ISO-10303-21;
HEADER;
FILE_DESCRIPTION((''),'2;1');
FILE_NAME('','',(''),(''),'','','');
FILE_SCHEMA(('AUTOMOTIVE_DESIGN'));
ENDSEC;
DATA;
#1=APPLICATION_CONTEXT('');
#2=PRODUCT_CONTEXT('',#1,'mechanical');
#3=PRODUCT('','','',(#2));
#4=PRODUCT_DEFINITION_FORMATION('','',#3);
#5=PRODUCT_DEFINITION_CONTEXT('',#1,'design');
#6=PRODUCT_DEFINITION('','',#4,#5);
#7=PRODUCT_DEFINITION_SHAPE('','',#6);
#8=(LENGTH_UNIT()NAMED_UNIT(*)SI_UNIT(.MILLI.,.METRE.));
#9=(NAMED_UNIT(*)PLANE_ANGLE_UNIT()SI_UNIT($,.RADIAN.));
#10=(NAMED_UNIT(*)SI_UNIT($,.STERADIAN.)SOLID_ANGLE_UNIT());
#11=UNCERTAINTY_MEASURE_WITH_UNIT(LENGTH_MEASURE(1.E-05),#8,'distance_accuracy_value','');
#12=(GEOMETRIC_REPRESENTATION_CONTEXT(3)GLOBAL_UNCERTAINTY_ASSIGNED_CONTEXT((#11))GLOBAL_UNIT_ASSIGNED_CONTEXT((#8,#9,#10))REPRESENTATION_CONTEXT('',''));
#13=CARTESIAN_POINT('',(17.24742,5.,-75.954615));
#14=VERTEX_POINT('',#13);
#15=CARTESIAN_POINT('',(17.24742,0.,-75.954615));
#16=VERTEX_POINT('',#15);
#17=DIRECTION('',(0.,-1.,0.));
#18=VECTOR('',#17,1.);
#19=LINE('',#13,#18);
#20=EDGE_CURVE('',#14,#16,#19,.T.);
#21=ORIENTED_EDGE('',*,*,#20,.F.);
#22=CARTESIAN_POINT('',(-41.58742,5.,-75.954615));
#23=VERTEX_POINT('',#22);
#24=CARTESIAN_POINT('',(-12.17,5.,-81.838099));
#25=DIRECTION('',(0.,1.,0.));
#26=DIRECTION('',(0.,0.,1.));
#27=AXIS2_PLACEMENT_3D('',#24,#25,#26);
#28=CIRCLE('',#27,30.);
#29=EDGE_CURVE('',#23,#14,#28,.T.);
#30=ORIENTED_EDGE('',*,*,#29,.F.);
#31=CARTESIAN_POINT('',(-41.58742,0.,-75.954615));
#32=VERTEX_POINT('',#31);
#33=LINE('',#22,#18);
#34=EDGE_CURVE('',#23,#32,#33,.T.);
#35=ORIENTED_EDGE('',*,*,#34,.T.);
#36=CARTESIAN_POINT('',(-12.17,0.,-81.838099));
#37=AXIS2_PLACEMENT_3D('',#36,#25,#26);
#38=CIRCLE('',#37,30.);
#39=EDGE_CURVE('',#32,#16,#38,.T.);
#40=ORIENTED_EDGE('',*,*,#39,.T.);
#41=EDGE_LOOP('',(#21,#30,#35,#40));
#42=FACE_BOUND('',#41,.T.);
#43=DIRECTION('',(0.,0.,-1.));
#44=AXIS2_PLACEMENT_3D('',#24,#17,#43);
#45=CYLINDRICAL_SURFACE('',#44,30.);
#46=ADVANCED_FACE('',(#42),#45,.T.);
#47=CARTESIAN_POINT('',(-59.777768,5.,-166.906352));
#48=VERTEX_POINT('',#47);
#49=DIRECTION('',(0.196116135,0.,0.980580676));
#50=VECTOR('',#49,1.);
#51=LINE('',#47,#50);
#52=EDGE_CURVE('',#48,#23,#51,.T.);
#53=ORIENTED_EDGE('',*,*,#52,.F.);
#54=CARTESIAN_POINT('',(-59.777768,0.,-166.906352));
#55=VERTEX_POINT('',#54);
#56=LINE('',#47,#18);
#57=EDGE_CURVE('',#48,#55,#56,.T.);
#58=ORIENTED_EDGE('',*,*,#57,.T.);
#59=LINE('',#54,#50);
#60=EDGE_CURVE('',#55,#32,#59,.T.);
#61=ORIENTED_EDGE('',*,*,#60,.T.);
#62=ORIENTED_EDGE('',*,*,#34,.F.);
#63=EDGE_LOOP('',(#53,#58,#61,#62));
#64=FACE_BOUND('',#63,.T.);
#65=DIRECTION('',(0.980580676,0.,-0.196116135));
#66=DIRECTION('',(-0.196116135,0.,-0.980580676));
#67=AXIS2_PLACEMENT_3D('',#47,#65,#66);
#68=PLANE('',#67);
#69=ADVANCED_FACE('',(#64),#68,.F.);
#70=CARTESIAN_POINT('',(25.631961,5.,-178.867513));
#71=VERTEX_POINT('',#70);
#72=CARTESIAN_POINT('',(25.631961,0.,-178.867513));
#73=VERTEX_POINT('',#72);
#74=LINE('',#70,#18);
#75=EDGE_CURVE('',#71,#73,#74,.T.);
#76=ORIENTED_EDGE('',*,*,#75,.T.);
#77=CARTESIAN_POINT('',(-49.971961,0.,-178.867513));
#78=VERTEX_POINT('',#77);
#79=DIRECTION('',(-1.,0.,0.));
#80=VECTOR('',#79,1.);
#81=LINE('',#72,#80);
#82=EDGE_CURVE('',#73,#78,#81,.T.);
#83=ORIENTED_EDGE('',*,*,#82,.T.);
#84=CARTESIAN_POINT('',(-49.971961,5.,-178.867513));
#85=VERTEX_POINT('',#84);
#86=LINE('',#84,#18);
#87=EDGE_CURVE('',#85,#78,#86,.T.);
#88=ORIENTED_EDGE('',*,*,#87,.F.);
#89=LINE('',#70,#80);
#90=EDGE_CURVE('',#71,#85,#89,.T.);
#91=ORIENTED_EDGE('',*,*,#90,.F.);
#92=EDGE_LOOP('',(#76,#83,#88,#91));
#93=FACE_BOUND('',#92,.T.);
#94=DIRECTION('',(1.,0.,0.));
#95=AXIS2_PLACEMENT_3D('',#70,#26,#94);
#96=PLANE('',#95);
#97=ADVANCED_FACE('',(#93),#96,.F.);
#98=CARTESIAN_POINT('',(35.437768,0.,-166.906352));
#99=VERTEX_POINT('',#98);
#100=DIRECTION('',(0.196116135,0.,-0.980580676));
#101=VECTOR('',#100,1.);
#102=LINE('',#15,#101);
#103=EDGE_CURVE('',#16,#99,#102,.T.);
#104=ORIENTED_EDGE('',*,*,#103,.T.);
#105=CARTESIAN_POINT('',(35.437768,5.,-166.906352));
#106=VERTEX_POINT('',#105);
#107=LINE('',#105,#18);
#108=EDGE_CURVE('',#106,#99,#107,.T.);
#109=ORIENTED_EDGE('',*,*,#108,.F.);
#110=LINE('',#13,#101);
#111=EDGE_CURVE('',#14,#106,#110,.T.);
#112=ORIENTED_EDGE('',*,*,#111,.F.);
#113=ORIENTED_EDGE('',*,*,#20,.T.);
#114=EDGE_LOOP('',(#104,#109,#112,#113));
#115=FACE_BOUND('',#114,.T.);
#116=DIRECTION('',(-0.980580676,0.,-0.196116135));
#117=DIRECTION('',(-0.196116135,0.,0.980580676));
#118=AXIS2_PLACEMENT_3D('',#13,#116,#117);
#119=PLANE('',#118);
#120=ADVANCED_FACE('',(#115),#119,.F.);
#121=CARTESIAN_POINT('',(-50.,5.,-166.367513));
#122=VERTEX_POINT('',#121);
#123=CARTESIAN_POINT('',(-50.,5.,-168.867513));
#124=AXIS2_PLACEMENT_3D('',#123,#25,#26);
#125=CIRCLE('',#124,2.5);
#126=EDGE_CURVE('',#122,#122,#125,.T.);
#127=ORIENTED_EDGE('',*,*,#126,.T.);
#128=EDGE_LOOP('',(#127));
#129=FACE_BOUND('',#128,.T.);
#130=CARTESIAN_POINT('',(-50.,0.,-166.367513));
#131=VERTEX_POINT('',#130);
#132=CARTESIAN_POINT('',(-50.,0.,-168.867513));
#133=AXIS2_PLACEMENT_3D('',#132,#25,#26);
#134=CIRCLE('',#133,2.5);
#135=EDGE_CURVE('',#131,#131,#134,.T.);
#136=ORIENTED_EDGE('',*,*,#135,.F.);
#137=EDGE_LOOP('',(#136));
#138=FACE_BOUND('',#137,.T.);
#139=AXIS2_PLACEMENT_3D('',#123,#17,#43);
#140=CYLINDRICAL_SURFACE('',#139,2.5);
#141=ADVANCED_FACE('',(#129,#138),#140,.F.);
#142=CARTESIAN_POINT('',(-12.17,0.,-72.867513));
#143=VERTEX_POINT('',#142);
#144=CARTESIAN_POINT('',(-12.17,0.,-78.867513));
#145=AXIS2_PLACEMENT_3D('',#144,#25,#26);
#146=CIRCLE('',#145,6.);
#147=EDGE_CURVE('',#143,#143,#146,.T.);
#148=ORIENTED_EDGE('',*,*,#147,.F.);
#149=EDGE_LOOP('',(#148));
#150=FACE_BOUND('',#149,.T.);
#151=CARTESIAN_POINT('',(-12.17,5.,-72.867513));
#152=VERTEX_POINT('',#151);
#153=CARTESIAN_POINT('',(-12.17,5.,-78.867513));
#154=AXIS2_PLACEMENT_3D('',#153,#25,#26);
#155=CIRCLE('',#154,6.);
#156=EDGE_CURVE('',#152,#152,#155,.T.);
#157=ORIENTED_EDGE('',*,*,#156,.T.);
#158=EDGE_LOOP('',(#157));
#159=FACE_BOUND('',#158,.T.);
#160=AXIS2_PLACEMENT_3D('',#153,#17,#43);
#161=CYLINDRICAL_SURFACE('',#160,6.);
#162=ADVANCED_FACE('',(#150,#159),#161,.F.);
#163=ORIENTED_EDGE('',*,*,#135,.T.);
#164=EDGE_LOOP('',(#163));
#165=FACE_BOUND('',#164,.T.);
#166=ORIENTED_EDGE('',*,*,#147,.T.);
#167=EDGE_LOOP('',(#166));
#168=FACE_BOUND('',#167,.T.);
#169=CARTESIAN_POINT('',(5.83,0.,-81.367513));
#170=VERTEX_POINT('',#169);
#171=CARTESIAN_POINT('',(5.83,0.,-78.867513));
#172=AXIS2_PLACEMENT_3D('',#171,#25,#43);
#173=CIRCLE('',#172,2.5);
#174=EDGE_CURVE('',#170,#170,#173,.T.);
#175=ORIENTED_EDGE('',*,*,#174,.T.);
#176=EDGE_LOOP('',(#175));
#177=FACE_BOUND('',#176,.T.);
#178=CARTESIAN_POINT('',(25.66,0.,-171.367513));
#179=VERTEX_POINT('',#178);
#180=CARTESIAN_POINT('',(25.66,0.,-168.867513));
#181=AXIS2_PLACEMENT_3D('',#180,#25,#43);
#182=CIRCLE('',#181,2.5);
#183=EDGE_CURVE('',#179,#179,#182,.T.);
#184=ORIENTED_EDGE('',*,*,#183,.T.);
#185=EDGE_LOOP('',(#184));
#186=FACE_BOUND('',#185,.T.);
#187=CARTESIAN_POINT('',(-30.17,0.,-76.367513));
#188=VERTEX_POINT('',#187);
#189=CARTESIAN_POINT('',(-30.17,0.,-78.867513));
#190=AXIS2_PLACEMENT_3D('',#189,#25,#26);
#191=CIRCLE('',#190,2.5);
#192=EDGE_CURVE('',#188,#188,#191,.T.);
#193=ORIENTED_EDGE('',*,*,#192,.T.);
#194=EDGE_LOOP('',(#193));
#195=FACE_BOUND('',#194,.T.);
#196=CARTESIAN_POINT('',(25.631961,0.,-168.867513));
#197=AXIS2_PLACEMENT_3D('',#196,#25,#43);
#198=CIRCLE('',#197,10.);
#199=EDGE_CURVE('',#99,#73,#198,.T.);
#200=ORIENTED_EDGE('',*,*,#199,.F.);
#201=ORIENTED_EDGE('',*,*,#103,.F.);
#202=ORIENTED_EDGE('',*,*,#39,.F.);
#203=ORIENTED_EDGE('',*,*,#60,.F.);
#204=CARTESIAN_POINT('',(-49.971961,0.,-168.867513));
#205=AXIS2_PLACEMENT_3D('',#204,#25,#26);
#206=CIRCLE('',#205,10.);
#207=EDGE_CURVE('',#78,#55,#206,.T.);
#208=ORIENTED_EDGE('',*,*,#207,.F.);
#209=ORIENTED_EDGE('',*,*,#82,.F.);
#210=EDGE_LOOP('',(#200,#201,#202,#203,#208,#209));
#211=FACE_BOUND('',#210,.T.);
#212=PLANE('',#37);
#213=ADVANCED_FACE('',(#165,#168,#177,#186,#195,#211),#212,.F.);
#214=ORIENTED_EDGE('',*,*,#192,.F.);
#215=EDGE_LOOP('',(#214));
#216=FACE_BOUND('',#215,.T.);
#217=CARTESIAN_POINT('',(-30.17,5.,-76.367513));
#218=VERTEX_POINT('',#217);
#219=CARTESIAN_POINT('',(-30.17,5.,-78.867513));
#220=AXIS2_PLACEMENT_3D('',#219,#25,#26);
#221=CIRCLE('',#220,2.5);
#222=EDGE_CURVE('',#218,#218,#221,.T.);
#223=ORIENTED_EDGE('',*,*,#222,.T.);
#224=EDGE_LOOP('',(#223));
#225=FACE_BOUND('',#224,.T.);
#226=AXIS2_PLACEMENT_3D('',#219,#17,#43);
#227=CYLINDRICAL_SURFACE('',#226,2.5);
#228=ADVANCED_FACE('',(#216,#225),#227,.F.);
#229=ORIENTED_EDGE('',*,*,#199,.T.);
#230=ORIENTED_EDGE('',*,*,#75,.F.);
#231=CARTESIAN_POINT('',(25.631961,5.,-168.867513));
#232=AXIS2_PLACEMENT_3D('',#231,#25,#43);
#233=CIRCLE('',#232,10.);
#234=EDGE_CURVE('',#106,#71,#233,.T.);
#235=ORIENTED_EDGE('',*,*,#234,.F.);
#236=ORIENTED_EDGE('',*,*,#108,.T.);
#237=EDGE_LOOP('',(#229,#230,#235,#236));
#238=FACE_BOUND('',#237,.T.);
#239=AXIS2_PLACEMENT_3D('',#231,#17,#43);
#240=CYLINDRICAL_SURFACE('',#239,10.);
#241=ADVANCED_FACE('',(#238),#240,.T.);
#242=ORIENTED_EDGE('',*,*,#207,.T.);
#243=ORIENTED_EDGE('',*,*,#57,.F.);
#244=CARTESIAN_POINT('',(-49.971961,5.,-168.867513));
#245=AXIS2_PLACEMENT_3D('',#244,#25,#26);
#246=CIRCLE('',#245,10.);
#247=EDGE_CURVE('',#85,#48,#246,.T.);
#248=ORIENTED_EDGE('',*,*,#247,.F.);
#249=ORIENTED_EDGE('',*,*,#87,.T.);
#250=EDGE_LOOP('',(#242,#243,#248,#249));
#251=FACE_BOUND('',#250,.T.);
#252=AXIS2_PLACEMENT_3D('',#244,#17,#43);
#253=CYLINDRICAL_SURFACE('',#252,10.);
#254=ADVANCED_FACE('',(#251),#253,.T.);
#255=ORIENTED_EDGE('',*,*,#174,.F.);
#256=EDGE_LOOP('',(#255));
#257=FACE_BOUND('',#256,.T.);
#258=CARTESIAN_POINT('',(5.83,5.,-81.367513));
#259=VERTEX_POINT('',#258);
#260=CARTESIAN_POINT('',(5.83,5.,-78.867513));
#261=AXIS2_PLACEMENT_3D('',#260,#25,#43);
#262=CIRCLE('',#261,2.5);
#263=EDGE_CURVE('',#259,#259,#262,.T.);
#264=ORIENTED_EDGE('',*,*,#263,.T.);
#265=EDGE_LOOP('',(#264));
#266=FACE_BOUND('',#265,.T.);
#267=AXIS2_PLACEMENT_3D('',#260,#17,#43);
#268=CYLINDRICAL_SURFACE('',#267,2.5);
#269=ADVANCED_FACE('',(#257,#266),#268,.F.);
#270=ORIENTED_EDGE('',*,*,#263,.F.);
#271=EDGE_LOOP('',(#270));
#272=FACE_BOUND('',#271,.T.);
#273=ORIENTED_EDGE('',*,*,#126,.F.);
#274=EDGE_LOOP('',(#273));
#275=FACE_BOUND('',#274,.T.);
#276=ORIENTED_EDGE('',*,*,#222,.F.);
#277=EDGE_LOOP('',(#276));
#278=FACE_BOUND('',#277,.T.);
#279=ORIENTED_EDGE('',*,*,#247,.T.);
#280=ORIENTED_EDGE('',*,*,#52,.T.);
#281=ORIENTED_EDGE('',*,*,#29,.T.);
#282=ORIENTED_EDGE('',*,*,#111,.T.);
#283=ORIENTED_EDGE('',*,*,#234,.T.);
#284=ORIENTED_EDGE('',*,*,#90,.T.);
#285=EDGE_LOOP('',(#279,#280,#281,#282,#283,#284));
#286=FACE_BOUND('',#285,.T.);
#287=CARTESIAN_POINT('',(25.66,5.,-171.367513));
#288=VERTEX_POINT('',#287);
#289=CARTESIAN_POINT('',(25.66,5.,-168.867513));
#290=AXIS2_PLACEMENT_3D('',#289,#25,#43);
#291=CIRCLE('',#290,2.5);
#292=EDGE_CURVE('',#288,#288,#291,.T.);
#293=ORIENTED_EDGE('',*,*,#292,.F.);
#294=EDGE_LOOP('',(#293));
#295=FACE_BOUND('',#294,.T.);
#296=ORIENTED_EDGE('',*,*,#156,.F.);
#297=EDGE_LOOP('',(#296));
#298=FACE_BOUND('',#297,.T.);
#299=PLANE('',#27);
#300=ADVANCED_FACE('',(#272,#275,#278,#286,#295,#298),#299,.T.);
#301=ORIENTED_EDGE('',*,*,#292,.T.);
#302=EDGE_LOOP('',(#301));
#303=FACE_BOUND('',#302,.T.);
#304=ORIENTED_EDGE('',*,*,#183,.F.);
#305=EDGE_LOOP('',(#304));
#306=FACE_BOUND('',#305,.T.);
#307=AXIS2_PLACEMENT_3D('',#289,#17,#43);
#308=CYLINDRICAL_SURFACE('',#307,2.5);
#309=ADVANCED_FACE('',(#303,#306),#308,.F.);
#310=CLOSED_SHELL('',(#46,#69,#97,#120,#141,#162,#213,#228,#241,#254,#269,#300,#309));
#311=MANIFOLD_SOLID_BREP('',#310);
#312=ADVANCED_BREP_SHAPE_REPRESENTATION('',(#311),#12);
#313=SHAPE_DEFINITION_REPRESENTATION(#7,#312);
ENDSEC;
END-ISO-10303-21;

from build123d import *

# Parameters (mm, degrees)
SKETCH_2_R      = 2.5
SKETCH_2_R_2    = 6
EXTRUDE_1_DEPTH = 5


with BuildPart() as part:
    # 草图2 → 凸台-拉伸1 (new body)
    with BuildSketch(Plane(origin=(0, 0, 0), x_dir=(1, 0, 0), z_dir=(0, 1, 0))):
        with BuildLine():
            Line((25.631960973, 178.867513459), (-49.971960973, 178.867513459))
            ThreePointArc((-49.971960973, 178.867513459), (-57.705382386, 175.207402516), (-59.77776773, 166.906352108))
            Line((-59.77776773, 166.906352108), (-41.587420271, 75.954614813))
            ThreePointArc((-41.587420271, 75.954614813), (-12.17, 51.838098867), (17.247420271, 75.954614813))
            Line((17.247420271, 75.954614813), (35.43776773, 166.906352108))
            ThreePointArc((35.43776773, 166.906352108), (33.365382386, 175.207402516), (25.631960973, 178.867513459))
        make_face()
        with Locations(Location((-30.17, 78.867513459, 0), (0, 0, 270))):
            Circle(SKETCH_2_R, mode=Mode.SUBTRACT)
        with Locations(Location((5.83, 78.867513459, 0), (0, 0, 90))):
            Circle(SKETCH_2_R, mode=Mode.SUBTRACT)
        with Locations(Location((-50, 168.867513459, 0), (0, 0, 270))):
            Circle(SKETCH_2_R, mode=Mode.SUBTRACT)
        with Locations(Location((25.66, 168.867513459, 0), (0, 0, 90))):
            Circle(SKETCH_2_R, mode=Mode.SUBTRACT)
        with Locations(Location((-12.17, 78.867513459, 0), (0, 0, 270))):
            Circle(SKETCH_2_R_2, mode=Mode.SUBTRACT)
    extrude(amount=EXTRUDE_1_DEPTH)


solid = part.part
